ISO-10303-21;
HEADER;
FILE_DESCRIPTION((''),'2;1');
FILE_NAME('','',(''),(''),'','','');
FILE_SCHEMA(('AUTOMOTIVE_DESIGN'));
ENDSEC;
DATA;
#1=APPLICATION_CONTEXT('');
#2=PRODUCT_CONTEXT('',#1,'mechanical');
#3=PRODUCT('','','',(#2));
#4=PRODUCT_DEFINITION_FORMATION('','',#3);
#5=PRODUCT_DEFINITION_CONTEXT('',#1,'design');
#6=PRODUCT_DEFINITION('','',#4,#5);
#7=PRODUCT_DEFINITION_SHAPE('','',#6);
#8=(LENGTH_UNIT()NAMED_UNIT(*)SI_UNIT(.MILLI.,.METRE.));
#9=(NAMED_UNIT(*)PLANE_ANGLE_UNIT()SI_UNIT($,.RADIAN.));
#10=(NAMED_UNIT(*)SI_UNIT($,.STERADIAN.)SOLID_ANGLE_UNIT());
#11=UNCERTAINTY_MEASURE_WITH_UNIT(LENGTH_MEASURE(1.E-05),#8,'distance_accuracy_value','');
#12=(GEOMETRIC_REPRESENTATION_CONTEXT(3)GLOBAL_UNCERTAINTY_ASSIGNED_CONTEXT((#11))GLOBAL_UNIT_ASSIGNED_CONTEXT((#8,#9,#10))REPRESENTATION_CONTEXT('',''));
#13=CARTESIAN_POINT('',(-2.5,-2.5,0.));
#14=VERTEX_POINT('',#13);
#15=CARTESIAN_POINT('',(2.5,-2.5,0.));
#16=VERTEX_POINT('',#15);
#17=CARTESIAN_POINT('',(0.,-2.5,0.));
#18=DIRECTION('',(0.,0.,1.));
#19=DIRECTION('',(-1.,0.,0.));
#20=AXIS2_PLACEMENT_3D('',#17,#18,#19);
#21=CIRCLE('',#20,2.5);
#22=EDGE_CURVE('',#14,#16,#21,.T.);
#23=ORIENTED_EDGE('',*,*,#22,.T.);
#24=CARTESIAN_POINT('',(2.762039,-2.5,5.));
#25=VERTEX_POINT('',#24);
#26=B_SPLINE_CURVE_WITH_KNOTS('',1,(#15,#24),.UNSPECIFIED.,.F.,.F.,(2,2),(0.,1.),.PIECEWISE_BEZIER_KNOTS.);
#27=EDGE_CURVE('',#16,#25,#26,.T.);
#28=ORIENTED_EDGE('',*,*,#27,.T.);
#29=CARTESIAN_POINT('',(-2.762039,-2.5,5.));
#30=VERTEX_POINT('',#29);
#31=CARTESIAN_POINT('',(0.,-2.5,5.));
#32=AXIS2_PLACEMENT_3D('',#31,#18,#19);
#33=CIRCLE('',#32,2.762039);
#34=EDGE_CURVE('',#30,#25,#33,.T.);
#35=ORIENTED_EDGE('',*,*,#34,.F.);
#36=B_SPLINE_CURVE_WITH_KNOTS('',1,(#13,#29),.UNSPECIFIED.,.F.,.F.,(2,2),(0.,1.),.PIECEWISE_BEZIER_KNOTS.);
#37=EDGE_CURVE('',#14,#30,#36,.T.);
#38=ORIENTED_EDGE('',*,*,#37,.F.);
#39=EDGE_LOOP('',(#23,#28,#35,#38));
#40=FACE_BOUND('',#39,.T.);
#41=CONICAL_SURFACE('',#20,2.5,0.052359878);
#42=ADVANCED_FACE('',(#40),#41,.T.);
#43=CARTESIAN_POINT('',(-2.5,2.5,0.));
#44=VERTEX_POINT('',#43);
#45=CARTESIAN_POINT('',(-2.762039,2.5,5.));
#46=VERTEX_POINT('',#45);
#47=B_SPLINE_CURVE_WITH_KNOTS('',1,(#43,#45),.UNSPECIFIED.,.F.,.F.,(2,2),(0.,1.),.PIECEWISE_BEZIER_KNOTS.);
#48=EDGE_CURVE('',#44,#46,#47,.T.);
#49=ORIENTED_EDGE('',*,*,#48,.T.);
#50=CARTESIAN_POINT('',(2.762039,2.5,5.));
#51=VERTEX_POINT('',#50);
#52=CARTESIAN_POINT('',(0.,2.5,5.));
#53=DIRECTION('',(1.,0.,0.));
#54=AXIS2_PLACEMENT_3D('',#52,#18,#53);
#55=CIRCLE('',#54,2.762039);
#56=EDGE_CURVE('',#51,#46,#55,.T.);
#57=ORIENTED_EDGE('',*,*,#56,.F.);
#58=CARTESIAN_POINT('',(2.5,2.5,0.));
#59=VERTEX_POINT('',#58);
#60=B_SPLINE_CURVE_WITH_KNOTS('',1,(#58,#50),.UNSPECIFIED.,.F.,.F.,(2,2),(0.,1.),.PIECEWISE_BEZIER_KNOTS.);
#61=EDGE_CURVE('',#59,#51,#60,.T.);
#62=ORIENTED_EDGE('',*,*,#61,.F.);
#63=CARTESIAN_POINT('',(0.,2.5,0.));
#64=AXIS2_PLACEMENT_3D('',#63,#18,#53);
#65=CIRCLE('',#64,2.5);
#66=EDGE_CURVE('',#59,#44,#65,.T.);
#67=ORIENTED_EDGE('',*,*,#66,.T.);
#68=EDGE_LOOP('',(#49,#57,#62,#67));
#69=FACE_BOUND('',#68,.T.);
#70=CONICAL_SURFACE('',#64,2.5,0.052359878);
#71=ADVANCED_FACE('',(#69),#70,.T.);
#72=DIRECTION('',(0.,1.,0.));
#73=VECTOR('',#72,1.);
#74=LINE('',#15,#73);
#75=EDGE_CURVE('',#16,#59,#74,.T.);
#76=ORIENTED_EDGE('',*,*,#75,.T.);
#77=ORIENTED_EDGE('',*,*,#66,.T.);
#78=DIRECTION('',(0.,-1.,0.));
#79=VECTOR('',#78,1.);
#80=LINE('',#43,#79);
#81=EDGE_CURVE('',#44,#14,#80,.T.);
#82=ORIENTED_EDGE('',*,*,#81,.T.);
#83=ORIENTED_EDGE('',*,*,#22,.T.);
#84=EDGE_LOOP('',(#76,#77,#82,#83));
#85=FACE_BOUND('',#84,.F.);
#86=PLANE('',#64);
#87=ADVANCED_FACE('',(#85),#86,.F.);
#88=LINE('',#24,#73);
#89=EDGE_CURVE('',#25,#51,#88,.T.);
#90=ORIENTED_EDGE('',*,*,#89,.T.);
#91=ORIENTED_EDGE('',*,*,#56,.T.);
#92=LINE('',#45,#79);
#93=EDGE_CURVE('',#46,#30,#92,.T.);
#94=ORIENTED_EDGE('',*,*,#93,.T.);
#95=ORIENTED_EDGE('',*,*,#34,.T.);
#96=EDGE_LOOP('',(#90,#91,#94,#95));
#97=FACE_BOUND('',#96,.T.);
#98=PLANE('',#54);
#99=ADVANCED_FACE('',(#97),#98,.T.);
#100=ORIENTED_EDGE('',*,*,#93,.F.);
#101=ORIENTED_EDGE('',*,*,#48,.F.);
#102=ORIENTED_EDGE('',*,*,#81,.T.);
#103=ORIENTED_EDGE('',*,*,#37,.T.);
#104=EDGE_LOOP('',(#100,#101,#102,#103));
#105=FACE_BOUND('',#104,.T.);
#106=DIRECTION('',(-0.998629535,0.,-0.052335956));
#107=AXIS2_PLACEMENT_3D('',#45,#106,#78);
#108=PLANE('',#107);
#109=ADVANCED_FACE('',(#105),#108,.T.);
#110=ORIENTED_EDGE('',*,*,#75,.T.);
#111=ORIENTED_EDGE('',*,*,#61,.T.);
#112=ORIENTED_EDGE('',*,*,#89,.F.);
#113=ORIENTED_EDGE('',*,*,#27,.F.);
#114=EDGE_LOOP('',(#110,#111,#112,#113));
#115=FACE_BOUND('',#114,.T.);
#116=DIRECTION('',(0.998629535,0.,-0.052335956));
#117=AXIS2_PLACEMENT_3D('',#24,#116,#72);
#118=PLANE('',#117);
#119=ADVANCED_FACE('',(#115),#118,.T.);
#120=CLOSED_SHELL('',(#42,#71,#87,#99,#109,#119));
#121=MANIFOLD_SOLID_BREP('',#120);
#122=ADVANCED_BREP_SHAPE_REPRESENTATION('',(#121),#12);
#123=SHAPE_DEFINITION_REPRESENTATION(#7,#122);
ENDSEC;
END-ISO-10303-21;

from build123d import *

# Parameters (mm, degrees)
F1_DEPTH = 5
F1_TAPER = -3


with BuildPart() as f1:
    # F0 (on Top) → F1 (new body)
    with BuildSketch(Plane.XY):
        with BuildLine():
            ThreePointArc((2.5, 2.5), (0, 5), (-2.5, 2.5))
            Line((-2.5, 2.5), (2.5, 2.5))
        make_face()
        with BuildLine():
            Line((2.5, 2.5), (-2.5, 2.5))
            ThreePointArc((-2.5, 2.5), (-1.767766953, 0.732233047), (0, 0))
            ThreePointArc((0, 0), (1.767766953, 0.732233047), (2.5, 2.5))
        make_face()
        with BuildLine():
            Line((2.5, -2.5), (2.5, 2.5))
            ThreePointArc((2.5, 2.5), (1.767766953, 0.732233047), (0, 0))
            ThreePointArc((0, 0), (1.767766953, -0.732233047), (2.5, -2.5))
        make_face()
        with BuildLine():
            ThreePointArc((0, 0), (-1.767766953, 0.732233047), (-2.5, 2.5))
            Line((-2.5, 2.5), (-2.5, -2.5))
            ThreePointArc((-2.5, -2.5), (-1.767766953, -0.732233047), (0, 0))
        make_face()
        with BuildLine():
            ThreePointArc((0, 0), (-1.767766953, -0.732233047), (-2.5, -2.5))
            Line((-2.5, -2.5), (2.5, -2.5))
            ThreePointArc((2.5, -2.5), (1.767766953, -0.732233047), (0, 0))
        make_face()
        with BuildLine():
            Line((2.5, -2.5), (-2.5, -2.5))
            ThreePointArc((-2.5, -2.5), (0, -5), (2.5, -2.5))
        make_face()
    extrude(amount=F1_DEPTH, taper=F1_TAPER)


solid = f1.part
